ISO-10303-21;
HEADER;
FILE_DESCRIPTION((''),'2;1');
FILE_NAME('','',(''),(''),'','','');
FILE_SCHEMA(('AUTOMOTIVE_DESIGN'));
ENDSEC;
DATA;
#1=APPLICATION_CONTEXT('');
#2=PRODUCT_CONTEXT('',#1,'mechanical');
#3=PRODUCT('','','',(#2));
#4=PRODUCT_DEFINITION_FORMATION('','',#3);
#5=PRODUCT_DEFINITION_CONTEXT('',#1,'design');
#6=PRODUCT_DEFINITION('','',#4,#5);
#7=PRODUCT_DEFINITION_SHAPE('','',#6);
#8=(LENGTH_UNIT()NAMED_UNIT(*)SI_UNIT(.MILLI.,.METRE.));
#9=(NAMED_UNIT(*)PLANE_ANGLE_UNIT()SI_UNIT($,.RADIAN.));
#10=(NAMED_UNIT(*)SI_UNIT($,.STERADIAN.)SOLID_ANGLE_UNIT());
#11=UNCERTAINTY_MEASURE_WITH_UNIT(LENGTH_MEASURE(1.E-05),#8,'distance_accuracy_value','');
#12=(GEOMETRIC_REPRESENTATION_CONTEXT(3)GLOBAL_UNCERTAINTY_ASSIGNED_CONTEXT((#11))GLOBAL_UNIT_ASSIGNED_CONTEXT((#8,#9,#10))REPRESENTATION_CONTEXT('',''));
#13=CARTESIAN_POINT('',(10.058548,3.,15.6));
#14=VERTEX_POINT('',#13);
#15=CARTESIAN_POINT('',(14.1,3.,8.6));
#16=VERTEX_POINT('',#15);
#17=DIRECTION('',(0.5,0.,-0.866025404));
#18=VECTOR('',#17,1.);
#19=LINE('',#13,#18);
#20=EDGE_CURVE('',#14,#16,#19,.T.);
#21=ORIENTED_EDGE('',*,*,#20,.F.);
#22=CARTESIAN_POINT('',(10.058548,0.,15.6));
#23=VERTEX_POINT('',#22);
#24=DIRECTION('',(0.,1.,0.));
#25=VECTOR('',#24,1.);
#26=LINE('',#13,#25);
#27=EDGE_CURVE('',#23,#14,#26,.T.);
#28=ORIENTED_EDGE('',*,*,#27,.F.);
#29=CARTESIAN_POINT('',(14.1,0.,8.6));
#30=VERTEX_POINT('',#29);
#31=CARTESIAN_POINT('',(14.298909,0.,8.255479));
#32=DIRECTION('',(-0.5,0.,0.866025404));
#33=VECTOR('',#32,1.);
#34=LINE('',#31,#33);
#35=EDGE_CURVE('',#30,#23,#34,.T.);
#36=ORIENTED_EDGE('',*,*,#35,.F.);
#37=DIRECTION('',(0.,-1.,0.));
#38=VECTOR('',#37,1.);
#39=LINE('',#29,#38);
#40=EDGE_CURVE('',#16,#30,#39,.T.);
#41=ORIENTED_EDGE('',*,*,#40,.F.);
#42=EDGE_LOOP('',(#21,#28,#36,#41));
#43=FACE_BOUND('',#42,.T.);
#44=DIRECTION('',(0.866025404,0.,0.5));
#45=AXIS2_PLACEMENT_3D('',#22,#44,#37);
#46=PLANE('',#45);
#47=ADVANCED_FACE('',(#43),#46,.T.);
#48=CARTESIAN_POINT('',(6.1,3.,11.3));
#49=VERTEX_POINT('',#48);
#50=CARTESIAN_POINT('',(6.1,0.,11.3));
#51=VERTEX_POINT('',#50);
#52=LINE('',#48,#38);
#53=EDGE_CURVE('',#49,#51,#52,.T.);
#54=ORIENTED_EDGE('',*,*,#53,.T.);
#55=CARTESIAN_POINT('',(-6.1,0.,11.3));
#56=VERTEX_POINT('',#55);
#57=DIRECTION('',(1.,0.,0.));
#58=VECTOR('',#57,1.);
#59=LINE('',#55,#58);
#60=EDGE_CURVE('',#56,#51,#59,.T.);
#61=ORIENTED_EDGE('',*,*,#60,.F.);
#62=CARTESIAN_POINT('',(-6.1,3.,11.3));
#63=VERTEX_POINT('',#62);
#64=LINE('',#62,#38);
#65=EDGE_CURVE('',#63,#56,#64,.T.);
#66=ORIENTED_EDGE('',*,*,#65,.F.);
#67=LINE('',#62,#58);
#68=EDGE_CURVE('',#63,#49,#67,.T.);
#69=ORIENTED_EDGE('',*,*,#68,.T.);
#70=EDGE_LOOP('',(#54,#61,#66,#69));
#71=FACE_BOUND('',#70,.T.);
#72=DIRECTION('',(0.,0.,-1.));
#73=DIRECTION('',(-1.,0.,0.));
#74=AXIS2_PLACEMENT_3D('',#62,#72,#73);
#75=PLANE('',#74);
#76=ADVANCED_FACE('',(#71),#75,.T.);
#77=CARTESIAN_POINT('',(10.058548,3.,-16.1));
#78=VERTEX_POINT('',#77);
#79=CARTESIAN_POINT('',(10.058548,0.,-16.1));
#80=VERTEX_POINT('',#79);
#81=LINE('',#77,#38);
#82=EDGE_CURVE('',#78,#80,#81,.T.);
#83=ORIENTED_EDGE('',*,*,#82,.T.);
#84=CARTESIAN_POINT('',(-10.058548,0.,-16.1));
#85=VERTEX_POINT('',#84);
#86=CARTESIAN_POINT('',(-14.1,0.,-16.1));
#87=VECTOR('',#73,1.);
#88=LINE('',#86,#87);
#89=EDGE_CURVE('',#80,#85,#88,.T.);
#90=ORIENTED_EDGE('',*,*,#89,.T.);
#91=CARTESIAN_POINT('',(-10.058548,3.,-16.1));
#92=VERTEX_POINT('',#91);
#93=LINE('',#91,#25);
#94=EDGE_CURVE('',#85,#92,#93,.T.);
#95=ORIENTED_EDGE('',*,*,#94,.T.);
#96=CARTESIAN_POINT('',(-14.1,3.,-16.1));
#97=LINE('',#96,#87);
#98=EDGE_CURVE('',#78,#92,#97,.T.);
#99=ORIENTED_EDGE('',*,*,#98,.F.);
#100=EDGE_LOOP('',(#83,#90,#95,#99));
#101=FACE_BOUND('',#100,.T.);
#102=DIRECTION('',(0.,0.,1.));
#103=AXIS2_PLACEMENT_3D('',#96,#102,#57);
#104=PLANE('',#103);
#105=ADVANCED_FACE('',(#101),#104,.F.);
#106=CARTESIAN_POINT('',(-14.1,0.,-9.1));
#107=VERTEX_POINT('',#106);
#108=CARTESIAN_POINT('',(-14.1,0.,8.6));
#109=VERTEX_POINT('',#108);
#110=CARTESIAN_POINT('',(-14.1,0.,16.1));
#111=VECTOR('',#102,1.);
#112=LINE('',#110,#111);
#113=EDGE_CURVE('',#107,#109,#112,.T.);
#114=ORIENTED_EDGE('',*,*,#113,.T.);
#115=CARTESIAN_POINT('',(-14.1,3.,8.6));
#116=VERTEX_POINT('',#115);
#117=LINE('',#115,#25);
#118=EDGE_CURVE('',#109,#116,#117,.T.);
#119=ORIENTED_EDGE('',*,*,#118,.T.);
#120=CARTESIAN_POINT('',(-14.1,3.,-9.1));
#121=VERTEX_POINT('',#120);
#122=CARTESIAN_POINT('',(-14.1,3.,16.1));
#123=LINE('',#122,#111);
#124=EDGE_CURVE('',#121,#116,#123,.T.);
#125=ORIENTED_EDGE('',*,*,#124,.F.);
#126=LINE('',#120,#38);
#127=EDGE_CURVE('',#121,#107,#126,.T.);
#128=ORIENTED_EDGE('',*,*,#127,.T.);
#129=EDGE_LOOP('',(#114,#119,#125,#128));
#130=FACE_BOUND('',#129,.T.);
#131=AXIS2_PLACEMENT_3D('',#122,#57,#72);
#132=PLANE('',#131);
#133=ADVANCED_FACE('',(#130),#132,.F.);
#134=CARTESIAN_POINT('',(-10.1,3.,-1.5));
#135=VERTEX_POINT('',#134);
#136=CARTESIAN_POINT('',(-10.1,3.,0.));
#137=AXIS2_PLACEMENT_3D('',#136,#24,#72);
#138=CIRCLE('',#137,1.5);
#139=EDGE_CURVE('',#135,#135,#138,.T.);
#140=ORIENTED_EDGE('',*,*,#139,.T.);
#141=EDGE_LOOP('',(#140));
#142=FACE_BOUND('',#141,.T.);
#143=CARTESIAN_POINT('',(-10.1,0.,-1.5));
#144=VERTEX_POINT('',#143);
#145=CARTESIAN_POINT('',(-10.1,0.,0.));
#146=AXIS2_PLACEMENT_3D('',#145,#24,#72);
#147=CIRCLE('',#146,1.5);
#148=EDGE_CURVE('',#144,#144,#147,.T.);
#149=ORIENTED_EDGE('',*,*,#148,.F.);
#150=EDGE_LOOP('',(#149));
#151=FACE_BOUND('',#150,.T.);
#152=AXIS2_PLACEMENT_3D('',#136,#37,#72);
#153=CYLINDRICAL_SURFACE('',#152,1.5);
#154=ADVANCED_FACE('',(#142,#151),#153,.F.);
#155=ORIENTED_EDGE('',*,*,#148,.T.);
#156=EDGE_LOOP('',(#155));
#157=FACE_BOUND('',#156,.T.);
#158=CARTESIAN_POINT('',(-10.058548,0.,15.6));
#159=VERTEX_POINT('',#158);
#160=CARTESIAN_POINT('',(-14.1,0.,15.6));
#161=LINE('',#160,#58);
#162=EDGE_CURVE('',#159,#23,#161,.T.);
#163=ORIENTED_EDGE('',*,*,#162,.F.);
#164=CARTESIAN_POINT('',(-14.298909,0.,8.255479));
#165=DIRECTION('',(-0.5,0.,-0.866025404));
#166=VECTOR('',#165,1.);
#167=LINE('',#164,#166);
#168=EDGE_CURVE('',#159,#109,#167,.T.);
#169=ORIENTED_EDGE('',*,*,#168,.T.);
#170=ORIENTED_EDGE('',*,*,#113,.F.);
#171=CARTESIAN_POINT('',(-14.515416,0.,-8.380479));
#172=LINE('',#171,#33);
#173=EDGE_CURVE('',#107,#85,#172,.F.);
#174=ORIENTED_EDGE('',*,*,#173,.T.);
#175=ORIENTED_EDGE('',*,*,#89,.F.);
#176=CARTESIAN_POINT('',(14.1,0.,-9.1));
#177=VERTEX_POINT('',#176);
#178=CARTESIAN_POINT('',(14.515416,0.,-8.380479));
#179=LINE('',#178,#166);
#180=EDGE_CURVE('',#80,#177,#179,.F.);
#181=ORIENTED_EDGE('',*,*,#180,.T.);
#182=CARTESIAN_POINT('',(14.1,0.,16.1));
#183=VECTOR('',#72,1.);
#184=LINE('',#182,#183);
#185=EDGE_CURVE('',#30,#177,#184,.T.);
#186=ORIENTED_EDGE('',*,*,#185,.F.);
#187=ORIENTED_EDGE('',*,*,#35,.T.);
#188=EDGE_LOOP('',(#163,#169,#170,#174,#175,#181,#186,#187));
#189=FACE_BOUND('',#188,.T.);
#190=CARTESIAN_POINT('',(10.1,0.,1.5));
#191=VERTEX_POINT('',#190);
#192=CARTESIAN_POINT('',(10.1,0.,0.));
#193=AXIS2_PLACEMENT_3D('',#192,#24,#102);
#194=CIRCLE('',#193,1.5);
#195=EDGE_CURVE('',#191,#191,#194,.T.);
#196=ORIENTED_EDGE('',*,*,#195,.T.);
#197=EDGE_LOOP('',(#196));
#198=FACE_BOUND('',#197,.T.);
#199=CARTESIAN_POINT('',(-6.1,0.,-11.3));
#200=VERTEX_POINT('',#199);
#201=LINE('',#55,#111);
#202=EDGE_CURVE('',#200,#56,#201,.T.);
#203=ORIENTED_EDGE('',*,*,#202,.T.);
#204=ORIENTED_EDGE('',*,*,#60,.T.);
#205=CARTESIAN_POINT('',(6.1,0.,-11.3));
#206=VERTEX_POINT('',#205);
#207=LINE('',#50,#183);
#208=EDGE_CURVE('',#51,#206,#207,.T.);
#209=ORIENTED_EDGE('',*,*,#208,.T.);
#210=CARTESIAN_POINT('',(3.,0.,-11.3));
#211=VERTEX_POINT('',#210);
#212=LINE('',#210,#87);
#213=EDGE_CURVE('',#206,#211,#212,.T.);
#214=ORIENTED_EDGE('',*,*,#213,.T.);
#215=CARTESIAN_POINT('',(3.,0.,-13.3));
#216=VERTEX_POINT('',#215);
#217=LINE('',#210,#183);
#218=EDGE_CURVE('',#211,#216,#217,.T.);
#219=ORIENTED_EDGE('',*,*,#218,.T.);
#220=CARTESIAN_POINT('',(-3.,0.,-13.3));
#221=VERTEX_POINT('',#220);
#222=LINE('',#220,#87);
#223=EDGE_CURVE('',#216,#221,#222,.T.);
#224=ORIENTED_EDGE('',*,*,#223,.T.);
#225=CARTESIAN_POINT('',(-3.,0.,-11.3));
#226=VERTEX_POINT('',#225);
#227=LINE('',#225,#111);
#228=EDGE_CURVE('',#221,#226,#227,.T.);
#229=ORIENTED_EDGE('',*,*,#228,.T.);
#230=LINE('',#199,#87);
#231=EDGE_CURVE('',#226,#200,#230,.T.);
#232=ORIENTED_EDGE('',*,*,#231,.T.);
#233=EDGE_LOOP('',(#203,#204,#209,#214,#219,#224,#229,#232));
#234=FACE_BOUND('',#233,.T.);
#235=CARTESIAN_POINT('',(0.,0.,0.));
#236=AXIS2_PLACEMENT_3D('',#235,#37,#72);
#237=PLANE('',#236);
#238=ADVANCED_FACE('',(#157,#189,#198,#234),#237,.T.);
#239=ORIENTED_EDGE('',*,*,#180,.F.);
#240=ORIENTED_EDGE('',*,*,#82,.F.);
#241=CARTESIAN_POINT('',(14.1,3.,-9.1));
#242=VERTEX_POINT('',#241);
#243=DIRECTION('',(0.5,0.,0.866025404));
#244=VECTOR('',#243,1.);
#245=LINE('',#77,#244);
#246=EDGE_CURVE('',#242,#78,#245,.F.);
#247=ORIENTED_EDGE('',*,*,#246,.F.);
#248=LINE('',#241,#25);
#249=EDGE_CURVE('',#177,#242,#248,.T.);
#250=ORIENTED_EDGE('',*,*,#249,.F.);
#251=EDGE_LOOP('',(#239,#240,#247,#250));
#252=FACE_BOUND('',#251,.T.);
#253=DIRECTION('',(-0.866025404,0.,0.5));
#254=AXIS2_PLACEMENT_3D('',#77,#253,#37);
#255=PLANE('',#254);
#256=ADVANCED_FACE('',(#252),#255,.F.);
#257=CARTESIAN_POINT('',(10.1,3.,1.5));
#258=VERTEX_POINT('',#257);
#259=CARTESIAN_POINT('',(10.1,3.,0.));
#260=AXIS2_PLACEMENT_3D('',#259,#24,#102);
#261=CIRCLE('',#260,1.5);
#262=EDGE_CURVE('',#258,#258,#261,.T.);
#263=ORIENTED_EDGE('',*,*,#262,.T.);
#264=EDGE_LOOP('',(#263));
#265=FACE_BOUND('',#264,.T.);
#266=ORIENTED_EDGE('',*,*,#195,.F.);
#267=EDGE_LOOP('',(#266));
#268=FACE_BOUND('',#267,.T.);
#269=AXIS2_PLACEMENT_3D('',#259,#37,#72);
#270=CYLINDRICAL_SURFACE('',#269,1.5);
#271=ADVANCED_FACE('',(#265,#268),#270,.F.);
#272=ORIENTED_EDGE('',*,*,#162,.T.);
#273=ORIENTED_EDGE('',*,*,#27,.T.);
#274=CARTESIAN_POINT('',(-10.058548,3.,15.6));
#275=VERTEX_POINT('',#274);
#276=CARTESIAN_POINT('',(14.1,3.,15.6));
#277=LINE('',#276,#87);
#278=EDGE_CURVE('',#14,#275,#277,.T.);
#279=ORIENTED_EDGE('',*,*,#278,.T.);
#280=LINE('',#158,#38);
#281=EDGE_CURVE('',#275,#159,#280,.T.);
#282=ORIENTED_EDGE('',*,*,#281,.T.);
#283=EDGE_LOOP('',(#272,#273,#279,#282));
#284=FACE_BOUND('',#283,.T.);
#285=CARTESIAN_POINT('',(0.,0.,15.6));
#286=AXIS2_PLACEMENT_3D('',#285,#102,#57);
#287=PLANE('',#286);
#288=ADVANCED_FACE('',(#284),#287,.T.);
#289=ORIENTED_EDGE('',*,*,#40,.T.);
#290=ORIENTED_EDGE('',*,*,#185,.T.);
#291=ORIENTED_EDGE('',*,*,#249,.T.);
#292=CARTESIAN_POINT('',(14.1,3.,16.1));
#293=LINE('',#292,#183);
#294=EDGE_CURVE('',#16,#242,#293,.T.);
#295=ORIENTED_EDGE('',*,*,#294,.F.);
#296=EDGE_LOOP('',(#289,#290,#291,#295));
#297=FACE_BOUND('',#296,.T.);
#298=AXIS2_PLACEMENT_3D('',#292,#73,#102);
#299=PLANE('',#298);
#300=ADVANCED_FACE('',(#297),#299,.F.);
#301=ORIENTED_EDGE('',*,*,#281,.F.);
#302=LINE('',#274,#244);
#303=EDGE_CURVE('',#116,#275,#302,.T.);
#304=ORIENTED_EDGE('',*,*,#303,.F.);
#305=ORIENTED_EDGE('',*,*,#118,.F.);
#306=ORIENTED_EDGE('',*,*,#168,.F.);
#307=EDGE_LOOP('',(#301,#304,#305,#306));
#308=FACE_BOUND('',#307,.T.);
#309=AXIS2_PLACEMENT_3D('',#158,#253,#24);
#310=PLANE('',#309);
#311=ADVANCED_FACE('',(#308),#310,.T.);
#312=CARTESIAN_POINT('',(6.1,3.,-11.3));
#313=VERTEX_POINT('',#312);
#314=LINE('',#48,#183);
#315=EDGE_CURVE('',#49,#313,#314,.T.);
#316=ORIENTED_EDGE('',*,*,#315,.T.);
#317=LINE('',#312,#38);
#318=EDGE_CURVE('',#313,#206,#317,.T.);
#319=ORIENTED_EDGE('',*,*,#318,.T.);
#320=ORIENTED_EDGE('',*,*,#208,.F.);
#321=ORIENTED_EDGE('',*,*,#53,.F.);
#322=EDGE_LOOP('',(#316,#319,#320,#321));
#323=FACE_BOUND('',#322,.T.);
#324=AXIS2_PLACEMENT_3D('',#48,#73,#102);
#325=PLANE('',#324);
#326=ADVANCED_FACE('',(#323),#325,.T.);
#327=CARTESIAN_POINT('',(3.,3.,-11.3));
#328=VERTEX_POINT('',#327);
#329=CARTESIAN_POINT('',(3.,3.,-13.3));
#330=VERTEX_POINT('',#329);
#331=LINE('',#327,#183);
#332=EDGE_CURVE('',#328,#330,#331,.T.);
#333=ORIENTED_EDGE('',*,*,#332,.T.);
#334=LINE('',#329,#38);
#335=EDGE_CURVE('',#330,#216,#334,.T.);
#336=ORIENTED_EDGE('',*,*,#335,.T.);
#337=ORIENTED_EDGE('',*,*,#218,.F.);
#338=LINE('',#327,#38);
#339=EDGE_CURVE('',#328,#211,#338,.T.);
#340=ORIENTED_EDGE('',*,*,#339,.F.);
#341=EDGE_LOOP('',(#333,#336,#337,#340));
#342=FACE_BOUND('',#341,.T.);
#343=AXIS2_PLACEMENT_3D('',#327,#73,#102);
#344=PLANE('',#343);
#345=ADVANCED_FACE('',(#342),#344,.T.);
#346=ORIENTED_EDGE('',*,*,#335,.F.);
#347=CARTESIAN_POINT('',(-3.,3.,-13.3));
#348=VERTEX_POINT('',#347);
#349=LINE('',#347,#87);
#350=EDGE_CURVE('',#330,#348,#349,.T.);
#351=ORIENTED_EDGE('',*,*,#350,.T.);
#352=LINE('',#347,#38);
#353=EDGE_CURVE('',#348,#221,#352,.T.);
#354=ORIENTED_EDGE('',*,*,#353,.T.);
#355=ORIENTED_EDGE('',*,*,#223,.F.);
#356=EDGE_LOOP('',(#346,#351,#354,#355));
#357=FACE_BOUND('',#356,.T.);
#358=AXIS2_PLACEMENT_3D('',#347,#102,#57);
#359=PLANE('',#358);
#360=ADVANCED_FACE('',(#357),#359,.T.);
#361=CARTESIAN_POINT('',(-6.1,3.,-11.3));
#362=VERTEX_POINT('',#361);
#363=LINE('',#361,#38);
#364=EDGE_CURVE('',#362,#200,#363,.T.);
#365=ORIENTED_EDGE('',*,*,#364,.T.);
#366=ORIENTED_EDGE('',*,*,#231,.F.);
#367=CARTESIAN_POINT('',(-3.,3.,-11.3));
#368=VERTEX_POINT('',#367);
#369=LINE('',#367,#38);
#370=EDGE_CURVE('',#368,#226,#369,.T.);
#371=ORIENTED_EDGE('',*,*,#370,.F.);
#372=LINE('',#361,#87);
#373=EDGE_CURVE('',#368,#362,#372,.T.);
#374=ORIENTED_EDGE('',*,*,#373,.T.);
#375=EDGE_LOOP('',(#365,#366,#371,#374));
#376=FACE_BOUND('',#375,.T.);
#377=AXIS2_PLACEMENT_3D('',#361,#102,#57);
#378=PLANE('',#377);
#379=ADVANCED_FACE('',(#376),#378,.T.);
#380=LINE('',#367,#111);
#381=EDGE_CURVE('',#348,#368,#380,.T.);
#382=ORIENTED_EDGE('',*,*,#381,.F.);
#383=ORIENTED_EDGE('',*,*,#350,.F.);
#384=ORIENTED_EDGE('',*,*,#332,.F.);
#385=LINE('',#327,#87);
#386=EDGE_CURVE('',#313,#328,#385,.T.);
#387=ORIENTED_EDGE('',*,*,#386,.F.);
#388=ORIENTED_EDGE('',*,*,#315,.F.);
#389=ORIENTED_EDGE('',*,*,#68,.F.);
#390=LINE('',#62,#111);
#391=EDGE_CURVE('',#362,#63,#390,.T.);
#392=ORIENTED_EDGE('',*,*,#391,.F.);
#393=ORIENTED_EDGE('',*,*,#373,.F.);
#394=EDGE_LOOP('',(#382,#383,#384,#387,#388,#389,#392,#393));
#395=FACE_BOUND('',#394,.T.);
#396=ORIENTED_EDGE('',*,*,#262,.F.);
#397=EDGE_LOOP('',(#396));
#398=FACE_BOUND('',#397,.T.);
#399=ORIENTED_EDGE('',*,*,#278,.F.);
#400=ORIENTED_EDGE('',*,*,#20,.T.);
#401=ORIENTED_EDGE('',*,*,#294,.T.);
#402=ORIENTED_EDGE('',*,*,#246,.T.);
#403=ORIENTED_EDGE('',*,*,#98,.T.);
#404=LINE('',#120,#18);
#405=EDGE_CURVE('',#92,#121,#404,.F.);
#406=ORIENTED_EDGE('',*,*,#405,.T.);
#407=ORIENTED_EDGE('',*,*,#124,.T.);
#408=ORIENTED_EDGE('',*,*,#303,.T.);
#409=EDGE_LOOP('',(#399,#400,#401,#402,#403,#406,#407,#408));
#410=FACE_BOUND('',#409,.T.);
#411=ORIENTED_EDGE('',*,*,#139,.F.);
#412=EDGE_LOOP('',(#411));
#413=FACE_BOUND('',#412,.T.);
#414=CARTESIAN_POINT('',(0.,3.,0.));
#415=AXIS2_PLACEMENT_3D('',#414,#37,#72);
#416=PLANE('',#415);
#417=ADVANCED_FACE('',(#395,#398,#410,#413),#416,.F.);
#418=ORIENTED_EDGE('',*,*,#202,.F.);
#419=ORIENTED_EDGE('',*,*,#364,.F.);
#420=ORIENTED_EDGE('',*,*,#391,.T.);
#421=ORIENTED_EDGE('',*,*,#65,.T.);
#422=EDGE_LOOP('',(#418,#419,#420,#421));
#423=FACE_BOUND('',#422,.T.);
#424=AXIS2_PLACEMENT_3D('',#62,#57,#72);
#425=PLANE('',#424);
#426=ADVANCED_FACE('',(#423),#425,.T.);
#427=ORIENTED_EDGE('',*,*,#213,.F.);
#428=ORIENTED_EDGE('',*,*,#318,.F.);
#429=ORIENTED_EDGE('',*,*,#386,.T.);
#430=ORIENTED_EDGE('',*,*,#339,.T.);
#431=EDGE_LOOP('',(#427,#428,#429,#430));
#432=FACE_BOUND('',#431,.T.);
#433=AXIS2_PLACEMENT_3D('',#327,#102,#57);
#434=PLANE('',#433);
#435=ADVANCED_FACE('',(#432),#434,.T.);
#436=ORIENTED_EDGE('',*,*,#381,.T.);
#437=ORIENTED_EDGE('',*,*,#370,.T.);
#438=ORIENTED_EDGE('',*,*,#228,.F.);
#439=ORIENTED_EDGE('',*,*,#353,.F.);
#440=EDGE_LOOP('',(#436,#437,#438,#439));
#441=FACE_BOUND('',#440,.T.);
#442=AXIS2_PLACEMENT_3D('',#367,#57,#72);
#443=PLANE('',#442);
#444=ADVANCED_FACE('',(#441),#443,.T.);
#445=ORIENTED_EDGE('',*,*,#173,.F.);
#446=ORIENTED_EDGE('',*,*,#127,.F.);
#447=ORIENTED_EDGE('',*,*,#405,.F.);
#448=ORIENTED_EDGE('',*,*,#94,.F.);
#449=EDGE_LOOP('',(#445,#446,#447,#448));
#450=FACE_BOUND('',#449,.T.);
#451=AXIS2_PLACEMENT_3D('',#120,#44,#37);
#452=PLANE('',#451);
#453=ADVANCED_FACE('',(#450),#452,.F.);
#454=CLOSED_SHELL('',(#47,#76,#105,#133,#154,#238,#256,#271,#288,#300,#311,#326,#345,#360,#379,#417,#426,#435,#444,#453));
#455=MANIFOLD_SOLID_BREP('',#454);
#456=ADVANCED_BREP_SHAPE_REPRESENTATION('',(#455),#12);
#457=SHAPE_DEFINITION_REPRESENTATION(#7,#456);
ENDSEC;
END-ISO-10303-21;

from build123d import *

# Parameters (mm, degrees)
SKETCH1_W           = 28.2
SKETCH1_H           = 32.2
SKETCH1_R           = 1.5
BOSS_EXTRUDE1_DEPTH = 3
CHAMFER1_SIZE       = 7
CHAMFER1_SIZE2      = 4.041451884
CHAMFER3_SIZE       = 7
CHAMFER3_SIZE2      = 4.041451884
SKETCH2_W           = 28.2
SKETCH2_H           = 3
CUT_EXTRUDE1_DEPTH  = 0.5
CHAMFER4_SIZE       = 7
CHAMFER4_SIZE2      = 4.041451884
CHAMFER5_SIZE       = 7
CHAMFER5_SIZE2      = 4.041451884


with BuildPart() as part:
    # Sketch1 → Boss-Extrude1 (new body)
    with BuildSketch(Plane(origin=(0, 0, 0), x_dir=(1, 0, 0), z_dir=(0, 1, 0))):
        Rectangle(SKETCH1_W, SKETCH1_H)
        with Locations(Location((10.1, 0, 0), (0, 0, 270))):
            Circle(SKETCH1_R, mode=Mode.SUBTRACT)
        with Locations(Location((-10.1, 0, 0), (0, 0, 90))):
            Circle(SKETCH1_R, mode=Mode.SUBTRACT)
        Polygon((-6.1, -11.3), (6.1, -11.3), (6.1, 11.3), (3, 11.3), (3, 13.3), (-3, 13.3), (-3, 11.3), (-6.1, 11.3), align=None, mode=Mode.SUBTRACT)
    extrude(amount=BOSS_EXTRUDE1_DEPTH)

    # Chamfer1
    chamfer1_edges = [part.edges().sort_by_distance(p)[0] for p in [
        (14.1, 1.5, -16.1),
    ]]
    chamfer1_side = [part.faces().sort_by_distance(p)[0] for p in [
        (14.1, 1.5, 0),
    ]]
    chamfer(chamfer1_edges, length=CHAMFER1_SIZE, length2=CHAMFER1_SIZE2, reference=chamfer1_side[0])

    # Chamfer3
    chamfer3_edges = [part.edges().sort_by_distance(p)[0] for p in [
        (-14.1, 1.5, -16.1),
    ]]
    chamfer3_side = [part.faces().sort_by_distance(p)[0] for p in [
        (-14.1, 1.5, 0),
    ]]
    chamfer(chamfer3_edges, length=CHAMFER3_SIZE, length2=CHAMFER3_SIZE2, reference=chamfer3_side[0])

    # Sketch2 → Cut-Extrude1 (cut)
    with BuildSketch(Plane.XY.offset(16.1)):
        with Locations((0, 1.5)):
            Rectangle(SKETCH2_W, SKETCH2_H)
    extrude(amount=-CUT_EXTRUDE1_DEPTH, mode=Mode.SUBTRACT)

    # Chamfer4
    chamfer4_edges = [part.edges().sort_by_distance(p)[0] for p in [
        (-14.1, 1.5, 15.6),
    ]]
    chamfer4_side = [part.faces().sort_by_distance(p)[0] for p in [
        (-14.1, 1.5, 3.25),
    ]]
    chamfer(chamfer4_edges, length=CHAMFER4_SIZE, length2=CHAMFER4_SIZE2, reference=chamfer4_side[0])

    # Chamfer5
    chamfer5_edges = [part.edges().sort_by_distance(p)[0] for p in [
        (14.1, 1.5, 15.6),
    ]]
    chamfer5_side = [part.faces().sort_by_distance(p)[0] for p in [
        (14.1, 1.5, 3.25),
    ]]
    chamfer(chamfer5_edges, length=CHAMFER5_SIZE, length2=CHAMFER5_SIZE2, reference=chamfer5_side[0])


solid = part.part
